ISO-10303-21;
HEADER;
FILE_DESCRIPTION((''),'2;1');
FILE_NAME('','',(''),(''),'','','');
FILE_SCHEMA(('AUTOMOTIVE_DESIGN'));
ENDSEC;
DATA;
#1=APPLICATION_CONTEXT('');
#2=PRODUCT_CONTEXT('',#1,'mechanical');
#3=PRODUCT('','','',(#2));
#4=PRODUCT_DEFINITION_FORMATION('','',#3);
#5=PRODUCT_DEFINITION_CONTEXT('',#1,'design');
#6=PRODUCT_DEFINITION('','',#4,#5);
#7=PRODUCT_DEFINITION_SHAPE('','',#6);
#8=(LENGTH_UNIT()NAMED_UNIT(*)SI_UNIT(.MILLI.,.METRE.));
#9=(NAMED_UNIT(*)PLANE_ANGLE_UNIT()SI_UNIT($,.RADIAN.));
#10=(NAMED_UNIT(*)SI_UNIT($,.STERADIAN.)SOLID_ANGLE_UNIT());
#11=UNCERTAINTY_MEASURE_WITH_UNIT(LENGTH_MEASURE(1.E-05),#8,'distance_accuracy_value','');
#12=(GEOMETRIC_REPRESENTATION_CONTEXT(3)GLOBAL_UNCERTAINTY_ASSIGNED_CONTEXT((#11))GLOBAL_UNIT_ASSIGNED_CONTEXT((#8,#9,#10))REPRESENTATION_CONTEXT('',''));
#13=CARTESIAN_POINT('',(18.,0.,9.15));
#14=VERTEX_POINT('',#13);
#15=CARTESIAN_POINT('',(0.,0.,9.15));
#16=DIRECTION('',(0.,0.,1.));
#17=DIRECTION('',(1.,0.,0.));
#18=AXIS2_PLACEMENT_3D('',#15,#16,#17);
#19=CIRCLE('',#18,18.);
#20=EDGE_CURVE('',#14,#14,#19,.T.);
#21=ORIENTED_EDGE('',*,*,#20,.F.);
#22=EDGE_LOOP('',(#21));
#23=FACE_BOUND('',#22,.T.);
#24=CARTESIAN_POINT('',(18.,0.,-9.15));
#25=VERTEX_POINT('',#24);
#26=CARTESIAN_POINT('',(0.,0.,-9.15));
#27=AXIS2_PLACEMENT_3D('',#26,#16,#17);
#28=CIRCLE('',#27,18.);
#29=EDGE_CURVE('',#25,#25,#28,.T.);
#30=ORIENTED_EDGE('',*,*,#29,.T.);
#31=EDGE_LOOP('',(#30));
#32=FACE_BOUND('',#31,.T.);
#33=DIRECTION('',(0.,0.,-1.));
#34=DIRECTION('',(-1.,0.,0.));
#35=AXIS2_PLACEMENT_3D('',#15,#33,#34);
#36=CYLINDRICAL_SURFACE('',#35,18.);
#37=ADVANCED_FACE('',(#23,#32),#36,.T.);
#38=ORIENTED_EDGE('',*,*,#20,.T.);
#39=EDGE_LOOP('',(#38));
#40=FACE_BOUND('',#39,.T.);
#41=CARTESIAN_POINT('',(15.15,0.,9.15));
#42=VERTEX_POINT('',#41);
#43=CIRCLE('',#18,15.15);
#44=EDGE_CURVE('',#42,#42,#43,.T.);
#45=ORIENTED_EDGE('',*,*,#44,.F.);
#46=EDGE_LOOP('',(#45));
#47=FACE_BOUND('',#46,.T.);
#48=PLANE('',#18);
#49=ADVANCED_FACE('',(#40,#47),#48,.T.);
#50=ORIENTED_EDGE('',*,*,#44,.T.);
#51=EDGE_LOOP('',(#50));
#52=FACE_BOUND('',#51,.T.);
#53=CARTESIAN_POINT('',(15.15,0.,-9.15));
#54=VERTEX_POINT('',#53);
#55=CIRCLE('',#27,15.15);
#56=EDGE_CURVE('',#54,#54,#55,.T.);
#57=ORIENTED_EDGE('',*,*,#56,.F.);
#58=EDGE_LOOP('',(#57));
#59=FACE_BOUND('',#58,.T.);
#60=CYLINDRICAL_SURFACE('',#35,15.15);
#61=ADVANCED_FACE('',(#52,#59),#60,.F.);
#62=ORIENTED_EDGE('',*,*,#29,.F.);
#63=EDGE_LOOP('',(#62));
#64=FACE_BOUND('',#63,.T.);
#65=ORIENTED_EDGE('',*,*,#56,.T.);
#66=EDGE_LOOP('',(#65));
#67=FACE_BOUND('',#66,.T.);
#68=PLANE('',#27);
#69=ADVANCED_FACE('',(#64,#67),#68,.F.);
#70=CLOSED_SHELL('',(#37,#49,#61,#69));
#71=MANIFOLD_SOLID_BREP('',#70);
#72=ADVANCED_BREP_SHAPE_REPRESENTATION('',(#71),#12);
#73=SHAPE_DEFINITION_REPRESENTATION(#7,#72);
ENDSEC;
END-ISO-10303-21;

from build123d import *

# Parameters (mm, degrees)
SKETCH1_R           = 18
SKETCH1_R_2         = 15.15
BOSS_EXTRUDE1_DEPTH = 9.15


with BuildPart() as part:
    # Sketch1 → Boss-Extrude1 (new, symmetric)
    with BuildSketch(Plane.XY):
        Circle(SKETCH1_R)
        Circle(SKETCH1_R_2, mode=Mode.SUBTRACT)
    extrude(amount=BOSS_EXTRUDE1_DEPTH, both=True)


solid = part.part
